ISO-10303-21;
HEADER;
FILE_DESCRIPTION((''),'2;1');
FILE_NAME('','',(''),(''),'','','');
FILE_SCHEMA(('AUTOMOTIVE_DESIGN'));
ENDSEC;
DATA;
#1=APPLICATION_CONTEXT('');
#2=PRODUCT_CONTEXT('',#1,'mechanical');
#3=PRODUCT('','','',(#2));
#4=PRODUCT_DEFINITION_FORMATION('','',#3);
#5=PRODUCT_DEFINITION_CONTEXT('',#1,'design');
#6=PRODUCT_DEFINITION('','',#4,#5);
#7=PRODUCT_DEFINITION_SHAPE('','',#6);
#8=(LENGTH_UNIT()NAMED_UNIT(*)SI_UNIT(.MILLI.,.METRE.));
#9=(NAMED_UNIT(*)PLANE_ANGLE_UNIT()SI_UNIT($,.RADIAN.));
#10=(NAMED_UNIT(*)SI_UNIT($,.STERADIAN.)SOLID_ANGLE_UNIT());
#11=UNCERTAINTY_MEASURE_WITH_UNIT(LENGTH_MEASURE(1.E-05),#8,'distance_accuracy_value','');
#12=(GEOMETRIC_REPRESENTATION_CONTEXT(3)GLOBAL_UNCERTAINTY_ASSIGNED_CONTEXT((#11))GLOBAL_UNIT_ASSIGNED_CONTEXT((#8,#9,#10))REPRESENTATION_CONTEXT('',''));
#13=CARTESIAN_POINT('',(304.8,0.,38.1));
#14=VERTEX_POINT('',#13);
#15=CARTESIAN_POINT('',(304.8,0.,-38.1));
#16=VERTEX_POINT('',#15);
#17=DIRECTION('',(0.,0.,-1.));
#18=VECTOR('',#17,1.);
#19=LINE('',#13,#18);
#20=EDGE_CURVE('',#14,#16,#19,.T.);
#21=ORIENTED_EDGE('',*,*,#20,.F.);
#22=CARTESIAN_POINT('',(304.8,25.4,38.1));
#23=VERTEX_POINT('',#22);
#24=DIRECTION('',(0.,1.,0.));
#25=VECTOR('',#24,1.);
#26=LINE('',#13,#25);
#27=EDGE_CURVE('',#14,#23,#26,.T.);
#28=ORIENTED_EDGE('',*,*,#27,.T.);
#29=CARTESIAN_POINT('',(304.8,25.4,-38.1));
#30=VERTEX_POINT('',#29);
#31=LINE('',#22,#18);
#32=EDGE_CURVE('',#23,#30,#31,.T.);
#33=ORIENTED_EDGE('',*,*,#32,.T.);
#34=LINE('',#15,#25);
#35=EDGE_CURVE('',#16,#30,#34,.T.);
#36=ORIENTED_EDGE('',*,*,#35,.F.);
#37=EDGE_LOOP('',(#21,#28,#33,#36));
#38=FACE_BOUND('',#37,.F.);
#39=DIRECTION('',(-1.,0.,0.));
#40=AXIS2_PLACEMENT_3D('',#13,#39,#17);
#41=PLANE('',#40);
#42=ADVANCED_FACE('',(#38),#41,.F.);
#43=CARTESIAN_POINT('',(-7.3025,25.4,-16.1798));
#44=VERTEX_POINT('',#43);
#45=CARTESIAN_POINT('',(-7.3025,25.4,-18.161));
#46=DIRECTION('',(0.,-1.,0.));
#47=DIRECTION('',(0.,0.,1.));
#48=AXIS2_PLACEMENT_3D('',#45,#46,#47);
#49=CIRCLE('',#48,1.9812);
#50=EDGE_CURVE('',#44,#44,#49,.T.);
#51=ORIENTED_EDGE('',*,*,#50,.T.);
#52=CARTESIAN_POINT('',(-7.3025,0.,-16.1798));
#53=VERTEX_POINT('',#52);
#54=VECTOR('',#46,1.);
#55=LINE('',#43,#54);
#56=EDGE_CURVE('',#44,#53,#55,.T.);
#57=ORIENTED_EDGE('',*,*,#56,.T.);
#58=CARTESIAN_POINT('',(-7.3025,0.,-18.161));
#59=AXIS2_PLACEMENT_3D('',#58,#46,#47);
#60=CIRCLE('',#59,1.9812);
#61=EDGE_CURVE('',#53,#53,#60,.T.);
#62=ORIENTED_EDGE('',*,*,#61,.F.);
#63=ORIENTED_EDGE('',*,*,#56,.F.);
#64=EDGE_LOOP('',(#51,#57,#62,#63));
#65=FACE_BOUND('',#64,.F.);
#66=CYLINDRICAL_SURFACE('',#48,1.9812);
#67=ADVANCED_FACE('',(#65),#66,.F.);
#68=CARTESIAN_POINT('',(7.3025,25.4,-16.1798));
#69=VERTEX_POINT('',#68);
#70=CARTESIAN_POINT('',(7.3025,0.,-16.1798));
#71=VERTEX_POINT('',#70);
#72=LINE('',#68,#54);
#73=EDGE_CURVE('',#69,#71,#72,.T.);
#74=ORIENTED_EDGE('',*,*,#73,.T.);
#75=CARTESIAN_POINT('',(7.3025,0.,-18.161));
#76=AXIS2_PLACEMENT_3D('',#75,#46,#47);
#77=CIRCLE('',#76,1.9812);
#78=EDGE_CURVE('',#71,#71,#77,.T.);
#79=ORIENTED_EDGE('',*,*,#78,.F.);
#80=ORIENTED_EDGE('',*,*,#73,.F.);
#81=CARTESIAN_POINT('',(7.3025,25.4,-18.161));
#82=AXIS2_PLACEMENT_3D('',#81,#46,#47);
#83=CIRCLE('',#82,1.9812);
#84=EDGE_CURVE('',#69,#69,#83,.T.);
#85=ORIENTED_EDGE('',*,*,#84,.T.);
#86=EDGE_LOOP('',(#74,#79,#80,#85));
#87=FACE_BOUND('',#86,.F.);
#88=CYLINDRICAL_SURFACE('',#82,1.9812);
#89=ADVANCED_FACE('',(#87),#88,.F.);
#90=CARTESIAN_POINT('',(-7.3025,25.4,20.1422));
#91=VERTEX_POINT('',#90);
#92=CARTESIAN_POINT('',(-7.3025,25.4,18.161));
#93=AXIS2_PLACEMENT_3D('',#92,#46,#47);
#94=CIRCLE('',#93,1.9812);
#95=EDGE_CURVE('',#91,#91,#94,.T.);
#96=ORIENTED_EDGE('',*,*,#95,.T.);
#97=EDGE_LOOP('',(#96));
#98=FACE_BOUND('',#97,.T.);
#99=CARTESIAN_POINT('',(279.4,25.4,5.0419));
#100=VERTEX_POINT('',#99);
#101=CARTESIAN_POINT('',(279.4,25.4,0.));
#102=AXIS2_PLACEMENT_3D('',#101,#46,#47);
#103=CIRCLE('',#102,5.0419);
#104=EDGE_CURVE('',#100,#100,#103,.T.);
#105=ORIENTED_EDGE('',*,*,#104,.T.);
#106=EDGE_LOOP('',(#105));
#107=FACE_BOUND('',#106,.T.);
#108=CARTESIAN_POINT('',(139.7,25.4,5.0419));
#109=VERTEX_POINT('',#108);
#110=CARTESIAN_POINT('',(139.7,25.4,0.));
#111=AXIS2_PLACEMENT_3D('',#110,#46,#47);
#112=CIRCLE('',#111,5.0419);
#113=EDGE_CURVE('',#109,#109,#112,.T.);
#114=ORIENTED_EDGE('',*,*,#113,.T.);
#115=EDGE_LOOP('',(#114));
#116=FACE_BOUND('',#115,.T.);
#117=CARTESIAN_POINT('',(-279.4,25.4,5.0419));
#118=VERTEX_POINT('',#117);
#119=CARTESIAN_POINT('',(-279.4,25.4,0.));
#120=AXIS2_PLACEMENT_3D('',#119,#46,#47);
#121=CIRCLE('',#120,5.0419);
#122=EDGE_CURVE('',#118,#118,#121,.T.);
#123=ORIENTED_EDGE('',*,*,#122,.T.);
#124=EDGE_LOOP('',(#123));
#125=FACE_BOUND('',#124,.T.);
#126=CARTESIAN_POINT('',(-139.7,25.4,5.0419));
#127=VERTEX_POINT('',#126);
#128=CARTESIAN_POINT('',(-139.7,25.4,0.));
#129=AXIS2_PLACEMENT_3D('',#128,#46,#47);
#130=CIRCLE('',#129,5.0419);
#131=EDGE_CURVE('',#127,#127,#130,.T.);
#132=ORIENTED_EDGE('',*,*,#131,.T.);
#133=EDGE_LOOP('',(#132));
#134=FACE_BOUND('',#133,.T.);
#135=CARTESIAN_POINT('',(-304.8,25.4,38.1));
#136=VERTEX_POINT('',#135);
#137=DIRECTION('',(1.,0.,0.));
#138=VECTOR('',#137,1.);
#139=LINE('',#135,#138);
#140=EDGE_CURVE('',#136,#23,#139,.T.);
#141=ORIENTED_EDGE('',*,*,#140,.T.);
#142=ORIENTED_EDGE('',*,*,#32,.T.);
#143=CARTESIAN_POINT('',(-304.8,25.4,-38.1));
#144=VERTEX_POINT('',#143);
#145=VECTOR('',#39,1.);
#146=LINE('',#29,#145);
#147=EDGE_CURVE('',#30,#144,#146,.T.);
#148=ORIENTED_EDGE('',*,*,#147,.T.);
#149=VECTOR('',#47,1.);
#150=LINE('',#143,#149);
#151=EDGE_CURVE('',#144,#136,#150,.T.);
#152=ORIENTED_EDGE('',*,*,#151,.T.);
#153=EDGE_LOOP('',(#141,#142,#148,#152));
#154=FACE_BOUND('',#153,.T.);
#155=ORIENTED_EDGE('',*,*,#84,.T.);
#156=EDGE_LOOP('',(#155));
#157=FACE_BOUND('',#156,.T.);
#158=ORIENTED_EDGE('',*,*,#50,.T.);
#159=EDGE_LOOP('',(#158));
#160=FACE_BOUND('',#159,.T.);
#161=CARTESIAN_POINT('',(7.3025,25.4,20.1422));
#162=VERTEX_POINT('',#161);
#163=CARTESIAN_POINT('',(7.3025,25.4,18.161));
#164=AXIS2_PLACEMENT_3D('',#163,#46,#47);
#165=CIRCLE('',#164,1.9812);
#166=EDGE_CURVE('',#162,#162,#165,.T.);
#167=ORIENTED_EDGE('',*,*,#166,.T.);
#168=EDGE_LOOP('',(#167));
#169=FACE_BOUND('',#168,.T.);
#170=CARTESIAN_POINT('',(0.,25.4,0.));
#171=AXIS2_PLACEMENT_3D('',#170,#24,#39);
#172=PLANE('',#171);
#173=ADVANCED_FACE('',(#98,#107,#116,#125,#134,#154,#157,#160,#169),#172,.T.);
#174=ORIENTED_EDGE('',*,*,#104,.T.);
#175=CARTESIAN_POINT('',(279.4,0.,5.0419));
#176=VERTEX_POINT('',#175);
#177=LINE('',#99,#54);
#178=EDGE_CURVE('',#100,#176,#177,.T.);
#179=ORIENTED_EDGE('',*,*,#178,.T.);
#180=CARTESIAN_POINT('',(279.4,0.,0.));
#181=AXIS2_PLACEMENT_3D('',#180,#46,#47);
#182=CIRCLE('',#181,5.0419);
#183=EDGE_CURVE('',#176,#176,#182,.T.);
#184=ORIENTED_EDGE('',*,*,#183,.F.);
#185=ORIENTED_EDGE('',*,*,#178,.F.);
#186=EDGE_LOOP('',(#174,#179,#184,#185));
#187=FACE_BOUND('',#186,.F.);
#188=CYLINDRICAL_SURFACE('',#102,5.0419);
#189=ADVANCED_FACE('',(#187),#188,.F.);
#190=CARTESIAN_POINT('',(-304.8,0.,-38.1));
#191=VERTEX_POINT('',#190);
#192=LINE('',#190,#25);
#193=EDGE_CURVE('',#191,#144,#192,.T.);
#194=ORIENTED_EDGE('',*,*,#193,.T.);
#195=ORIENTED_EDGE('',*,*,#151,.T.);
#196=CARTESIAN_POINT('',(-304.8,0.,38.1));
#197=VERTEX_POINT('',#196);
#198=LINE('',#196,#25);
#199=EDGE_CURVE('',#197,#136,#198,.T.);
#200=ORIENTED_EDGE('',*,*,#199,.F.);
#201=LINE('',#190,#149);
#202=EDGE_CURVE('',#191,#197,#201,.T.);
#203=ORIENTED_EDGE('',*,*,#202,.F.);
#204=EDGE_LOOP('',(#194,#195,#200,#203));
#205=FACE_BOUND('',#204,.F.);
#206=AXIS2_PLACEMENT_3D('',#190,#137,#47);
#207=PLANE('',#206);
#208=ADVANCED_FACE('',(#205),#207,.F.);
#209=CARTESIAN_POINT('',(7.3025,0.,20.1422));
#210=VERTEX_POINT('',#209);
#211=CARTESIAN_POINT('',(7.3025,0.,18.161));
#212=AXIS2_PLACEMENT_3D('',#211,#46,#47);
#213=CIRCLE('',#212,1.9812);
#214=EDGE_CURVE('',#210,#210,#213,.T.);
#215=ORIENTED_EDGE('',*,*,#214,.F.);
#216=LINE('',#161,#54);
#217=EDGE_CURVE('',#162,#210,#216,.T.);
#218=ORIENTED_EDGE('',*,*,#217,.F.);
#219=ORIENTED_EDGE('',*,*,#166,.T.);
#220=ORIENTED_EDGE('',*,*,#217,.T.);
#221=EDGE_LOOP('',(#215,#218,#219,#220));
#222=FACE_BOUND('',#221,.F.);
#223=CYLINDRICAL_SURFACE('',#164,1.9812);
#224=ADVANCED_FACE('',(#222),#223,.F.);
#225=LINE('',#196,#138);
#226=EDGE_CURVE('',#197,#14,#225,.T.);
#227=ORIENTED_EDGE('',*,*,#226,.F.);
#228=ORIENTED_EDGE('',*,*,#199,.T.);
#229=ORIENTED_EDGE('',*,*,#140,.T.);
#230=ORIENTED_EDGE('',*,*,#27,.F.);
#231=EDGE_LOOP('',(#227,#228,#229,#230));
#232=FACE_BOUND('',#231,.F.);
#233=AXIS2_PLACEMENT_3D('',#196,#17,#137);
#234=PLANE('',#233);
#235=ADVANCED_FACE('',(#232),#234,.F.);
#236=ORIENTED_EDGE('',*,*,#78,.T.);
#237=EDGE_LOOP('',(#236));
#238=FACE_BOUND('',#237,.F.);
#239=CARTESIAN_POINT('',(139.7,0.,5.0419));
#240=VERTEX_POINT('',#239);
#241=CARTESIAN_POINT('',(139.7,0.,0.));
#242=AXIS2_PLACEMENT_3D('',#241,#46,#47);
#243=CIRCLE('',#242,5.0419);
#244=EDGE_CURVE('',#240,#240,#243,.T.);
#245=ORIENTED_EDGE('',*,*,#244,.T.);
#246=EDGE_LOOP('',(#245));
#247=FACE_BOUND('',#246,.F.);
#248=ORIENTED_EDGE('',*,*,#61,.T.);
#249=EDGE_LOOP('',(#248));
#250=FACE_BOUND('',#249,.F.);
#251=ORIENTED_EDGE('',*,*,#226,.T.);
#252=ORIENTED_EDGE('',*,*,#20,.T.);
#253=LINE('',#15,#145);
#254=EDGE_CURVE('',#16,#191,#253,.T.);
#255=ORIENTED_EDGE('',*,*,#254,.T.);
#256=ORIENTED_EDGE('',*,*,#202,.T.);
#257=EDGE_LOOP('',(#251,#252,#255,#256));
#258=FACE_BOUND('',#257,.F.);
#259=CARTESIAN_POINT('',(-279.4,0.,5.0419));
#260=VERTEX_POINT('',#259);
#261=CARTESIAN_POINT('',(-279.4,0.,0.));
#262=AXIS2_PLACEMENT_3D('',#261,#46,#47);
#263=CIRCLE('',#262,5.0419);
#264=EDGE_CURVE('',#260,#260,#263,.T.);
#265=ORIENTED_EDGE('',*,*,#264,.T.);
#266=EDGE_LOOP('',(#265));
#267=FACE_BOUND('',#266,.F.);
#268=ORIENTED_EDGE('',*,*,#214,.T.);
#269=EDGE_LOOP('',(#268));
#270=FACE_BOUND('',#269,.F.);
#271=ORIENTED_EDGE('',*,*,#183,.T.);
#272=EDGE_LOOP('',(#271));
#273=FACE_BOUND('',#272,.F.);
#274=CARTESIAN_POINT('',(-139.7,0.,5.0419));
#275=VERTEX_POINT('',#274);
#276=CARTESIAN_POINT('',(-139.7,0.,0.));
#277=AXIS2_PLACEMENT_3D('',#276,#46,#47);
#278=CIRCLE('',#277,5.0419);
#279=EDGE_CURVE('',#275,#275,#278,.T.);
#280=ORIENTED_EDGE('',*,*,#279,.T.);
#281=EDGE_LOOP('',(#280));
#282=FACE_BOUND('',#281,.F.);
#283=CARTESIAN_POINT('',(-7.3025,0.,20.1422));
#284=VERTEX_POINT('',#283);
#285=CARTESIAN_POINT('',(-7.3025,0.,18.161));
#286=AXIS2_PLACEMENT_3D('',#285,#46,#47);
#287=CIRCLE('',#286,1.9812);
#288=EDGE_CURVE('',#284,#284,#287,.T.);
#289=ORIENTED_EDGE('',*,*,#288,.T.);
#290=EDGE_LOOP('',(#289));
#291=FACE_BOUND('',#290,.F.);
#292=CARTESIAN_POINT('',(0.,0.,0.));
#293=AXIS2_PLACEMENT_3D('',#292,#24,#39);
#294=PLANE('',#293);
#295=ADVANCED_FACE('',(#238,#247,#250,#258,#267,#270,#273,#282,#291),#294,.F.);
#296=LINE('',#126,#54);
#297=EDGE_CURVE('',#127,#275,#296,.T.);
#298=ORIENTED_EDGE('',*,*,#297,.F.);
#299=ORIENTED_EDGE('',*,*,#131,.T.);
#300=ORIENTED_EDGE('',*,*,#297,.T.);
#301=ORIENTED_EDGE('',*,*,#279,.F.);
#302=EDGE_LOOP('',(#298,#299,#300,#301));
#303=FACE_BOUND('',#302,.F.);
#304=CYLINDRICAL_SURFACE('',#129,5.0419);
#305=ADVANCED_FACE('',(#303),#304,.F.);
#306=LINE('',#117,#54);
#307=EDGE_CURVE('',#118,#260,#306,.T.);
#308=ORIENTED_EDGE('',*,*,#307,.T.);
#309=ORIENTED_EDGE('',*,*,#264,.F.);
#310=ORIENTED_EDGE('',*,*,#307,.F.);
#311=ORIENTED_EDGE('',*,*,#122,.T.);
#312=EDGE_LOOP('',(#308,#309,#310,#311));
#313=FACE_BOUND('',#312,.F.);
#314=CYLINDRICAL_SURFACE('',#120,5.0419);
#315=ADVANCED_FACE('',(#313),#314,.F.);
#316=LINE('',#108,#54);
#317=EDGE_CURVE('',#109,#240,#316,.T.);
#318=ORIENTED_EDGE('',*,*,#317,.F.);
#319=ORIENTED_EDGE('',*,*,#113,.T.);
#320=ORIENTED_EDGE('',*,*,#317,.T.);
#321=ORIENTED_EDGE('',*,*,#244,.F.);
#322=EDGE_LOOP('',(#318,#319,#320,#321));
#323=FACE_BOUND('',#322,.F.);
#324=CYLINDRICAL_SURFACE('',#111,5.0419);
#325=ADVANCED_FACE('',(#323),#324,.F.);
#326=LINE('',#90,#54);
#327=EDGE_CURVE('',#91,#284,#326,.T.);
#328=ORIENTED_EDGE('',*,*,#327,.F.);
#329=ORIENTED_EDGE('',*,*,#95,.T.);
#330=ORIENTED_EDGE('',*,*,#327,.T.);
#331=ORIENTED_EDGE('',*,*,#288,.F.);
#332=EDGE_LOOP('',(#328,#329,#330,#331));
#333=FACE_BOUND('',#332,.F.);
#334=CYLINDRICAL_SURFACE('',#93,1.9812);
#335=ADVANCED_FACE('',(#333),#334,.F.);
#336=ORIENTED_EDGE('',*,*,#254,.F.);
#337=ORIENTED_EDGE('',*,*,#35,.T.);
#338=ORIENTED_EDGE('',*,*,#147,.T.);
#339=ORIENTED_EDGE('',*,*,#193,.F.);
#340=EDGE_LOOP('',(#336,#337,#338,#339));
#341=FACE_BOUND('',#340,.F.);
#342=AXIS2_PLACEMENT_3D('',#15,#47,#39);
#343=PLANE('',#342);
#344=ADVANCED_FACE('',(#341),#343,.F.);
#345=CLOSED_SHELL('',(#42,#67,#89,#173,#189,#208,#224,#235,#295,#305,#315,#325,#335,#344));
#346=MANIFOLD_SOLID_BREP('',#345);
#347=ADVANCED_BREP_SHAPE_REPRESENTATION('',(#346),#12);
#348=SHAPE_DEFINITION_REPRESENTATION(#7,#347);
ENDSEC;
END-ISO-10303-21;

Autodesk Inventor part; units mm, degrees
ref_plane "YZ Plane" through (0, 0, 0) normal (1, 0, 0) x (0, 1, 0)
ref_plane "XZ Plane" through (0, 0, 0) normal (0, 1, 0) x (-1, 0, 0)
ref_plane "XY Plane" through (0, 0, 0) normal (0, 0, 1) x (1, 0, 0)
sketch "Sketch1" plane through (0, 0, 0) normal (0, 1, 0) x (-1, 0, 0)
  line L0 (304.8, 38.1) -> (-304.8, 38.1)
  line L1 (-304.8, 38.1) -> (-304.8, -38.1)
  line L2 (-304.8, -38.1) -> (304.8, -38.1)
  line L3 (304.8, -38.1) -> (304.8, 38.1)
  line L4 (304.8, 38.1) -> (-304.8, -38.1) construction
  line L5 (-304.8, 38.1) -> (304.8, -38.1) construction
  point P0 (0, 0)
  dimension "d0" = 609.6
  dimension "d1" = 76.2
extrude "Extrusion1" add sketch "Sketch1" along normal blind 25.4
sketch "Sketch2" plane through (0, 25.4, 0) normal (0, 1, 0) x (1, 0, 0)
  line L0 (0, 0) -> (0, 46.0964) construction
  line L1 (0, 0) -> (279.4, 0) construction
  line L2 (0, 0) -> (139.7, 0) construction
  point P0 (-139.7, 0)
  point P1 (-279.4, 0)
  dimension "d4" = 279.4
  dimension "d5" = 139.7
hole "Hole1" at (139.7, 25.4, 0) at (279.4, 25.4, 0) at (-139.7, 25.4, 0) at (-279.4, 25.4, 0) direction (0, -1, 0) diameter 10.0838 end through all clearance for "Flat Head Machine Screw (82)" size "3/8" standard "Ansi Unified Screw Threads"
sketch "Sketch3" plane through (0, 25.4, 0) normal (0, 1, 0) x (1, 0, 0)
  line L0 (7.3025, 18.161) -> (-7.3025, 18.161) construction
  line L1 (-7.3025, 18.161) -> (-7.3025, -18.161) construction
  line L2 (-7.3025, -18.161) -> (7.3025, -18.161) construction
  line L3 (7.3025, -18.161) -> (7.3025, 18.161) construction
  line L4 (7.3025, 18.161) -> (-7.3025, -18.161) construction
  line L5 (-7.3025, 18.161) -> (7.3025, -18.161) construction
  point P0 (0, 0)
  dimension "d13" = 14.605
  dimension "d14" = 36.322
hole "Hole2" at (-7.3025, 25.4, -18.161) at (7.3025, 25.4, -18.161) at (7.3025, 25.4, 18.161) at (-7.3025, 25.4, 18.161) direction (0, -1, 0) diameter 3.9624 end through all thread size "10-32 UNF" class "2B" standard "ANSI Unified Screw Threads"
properties part number "table reinforcement"
